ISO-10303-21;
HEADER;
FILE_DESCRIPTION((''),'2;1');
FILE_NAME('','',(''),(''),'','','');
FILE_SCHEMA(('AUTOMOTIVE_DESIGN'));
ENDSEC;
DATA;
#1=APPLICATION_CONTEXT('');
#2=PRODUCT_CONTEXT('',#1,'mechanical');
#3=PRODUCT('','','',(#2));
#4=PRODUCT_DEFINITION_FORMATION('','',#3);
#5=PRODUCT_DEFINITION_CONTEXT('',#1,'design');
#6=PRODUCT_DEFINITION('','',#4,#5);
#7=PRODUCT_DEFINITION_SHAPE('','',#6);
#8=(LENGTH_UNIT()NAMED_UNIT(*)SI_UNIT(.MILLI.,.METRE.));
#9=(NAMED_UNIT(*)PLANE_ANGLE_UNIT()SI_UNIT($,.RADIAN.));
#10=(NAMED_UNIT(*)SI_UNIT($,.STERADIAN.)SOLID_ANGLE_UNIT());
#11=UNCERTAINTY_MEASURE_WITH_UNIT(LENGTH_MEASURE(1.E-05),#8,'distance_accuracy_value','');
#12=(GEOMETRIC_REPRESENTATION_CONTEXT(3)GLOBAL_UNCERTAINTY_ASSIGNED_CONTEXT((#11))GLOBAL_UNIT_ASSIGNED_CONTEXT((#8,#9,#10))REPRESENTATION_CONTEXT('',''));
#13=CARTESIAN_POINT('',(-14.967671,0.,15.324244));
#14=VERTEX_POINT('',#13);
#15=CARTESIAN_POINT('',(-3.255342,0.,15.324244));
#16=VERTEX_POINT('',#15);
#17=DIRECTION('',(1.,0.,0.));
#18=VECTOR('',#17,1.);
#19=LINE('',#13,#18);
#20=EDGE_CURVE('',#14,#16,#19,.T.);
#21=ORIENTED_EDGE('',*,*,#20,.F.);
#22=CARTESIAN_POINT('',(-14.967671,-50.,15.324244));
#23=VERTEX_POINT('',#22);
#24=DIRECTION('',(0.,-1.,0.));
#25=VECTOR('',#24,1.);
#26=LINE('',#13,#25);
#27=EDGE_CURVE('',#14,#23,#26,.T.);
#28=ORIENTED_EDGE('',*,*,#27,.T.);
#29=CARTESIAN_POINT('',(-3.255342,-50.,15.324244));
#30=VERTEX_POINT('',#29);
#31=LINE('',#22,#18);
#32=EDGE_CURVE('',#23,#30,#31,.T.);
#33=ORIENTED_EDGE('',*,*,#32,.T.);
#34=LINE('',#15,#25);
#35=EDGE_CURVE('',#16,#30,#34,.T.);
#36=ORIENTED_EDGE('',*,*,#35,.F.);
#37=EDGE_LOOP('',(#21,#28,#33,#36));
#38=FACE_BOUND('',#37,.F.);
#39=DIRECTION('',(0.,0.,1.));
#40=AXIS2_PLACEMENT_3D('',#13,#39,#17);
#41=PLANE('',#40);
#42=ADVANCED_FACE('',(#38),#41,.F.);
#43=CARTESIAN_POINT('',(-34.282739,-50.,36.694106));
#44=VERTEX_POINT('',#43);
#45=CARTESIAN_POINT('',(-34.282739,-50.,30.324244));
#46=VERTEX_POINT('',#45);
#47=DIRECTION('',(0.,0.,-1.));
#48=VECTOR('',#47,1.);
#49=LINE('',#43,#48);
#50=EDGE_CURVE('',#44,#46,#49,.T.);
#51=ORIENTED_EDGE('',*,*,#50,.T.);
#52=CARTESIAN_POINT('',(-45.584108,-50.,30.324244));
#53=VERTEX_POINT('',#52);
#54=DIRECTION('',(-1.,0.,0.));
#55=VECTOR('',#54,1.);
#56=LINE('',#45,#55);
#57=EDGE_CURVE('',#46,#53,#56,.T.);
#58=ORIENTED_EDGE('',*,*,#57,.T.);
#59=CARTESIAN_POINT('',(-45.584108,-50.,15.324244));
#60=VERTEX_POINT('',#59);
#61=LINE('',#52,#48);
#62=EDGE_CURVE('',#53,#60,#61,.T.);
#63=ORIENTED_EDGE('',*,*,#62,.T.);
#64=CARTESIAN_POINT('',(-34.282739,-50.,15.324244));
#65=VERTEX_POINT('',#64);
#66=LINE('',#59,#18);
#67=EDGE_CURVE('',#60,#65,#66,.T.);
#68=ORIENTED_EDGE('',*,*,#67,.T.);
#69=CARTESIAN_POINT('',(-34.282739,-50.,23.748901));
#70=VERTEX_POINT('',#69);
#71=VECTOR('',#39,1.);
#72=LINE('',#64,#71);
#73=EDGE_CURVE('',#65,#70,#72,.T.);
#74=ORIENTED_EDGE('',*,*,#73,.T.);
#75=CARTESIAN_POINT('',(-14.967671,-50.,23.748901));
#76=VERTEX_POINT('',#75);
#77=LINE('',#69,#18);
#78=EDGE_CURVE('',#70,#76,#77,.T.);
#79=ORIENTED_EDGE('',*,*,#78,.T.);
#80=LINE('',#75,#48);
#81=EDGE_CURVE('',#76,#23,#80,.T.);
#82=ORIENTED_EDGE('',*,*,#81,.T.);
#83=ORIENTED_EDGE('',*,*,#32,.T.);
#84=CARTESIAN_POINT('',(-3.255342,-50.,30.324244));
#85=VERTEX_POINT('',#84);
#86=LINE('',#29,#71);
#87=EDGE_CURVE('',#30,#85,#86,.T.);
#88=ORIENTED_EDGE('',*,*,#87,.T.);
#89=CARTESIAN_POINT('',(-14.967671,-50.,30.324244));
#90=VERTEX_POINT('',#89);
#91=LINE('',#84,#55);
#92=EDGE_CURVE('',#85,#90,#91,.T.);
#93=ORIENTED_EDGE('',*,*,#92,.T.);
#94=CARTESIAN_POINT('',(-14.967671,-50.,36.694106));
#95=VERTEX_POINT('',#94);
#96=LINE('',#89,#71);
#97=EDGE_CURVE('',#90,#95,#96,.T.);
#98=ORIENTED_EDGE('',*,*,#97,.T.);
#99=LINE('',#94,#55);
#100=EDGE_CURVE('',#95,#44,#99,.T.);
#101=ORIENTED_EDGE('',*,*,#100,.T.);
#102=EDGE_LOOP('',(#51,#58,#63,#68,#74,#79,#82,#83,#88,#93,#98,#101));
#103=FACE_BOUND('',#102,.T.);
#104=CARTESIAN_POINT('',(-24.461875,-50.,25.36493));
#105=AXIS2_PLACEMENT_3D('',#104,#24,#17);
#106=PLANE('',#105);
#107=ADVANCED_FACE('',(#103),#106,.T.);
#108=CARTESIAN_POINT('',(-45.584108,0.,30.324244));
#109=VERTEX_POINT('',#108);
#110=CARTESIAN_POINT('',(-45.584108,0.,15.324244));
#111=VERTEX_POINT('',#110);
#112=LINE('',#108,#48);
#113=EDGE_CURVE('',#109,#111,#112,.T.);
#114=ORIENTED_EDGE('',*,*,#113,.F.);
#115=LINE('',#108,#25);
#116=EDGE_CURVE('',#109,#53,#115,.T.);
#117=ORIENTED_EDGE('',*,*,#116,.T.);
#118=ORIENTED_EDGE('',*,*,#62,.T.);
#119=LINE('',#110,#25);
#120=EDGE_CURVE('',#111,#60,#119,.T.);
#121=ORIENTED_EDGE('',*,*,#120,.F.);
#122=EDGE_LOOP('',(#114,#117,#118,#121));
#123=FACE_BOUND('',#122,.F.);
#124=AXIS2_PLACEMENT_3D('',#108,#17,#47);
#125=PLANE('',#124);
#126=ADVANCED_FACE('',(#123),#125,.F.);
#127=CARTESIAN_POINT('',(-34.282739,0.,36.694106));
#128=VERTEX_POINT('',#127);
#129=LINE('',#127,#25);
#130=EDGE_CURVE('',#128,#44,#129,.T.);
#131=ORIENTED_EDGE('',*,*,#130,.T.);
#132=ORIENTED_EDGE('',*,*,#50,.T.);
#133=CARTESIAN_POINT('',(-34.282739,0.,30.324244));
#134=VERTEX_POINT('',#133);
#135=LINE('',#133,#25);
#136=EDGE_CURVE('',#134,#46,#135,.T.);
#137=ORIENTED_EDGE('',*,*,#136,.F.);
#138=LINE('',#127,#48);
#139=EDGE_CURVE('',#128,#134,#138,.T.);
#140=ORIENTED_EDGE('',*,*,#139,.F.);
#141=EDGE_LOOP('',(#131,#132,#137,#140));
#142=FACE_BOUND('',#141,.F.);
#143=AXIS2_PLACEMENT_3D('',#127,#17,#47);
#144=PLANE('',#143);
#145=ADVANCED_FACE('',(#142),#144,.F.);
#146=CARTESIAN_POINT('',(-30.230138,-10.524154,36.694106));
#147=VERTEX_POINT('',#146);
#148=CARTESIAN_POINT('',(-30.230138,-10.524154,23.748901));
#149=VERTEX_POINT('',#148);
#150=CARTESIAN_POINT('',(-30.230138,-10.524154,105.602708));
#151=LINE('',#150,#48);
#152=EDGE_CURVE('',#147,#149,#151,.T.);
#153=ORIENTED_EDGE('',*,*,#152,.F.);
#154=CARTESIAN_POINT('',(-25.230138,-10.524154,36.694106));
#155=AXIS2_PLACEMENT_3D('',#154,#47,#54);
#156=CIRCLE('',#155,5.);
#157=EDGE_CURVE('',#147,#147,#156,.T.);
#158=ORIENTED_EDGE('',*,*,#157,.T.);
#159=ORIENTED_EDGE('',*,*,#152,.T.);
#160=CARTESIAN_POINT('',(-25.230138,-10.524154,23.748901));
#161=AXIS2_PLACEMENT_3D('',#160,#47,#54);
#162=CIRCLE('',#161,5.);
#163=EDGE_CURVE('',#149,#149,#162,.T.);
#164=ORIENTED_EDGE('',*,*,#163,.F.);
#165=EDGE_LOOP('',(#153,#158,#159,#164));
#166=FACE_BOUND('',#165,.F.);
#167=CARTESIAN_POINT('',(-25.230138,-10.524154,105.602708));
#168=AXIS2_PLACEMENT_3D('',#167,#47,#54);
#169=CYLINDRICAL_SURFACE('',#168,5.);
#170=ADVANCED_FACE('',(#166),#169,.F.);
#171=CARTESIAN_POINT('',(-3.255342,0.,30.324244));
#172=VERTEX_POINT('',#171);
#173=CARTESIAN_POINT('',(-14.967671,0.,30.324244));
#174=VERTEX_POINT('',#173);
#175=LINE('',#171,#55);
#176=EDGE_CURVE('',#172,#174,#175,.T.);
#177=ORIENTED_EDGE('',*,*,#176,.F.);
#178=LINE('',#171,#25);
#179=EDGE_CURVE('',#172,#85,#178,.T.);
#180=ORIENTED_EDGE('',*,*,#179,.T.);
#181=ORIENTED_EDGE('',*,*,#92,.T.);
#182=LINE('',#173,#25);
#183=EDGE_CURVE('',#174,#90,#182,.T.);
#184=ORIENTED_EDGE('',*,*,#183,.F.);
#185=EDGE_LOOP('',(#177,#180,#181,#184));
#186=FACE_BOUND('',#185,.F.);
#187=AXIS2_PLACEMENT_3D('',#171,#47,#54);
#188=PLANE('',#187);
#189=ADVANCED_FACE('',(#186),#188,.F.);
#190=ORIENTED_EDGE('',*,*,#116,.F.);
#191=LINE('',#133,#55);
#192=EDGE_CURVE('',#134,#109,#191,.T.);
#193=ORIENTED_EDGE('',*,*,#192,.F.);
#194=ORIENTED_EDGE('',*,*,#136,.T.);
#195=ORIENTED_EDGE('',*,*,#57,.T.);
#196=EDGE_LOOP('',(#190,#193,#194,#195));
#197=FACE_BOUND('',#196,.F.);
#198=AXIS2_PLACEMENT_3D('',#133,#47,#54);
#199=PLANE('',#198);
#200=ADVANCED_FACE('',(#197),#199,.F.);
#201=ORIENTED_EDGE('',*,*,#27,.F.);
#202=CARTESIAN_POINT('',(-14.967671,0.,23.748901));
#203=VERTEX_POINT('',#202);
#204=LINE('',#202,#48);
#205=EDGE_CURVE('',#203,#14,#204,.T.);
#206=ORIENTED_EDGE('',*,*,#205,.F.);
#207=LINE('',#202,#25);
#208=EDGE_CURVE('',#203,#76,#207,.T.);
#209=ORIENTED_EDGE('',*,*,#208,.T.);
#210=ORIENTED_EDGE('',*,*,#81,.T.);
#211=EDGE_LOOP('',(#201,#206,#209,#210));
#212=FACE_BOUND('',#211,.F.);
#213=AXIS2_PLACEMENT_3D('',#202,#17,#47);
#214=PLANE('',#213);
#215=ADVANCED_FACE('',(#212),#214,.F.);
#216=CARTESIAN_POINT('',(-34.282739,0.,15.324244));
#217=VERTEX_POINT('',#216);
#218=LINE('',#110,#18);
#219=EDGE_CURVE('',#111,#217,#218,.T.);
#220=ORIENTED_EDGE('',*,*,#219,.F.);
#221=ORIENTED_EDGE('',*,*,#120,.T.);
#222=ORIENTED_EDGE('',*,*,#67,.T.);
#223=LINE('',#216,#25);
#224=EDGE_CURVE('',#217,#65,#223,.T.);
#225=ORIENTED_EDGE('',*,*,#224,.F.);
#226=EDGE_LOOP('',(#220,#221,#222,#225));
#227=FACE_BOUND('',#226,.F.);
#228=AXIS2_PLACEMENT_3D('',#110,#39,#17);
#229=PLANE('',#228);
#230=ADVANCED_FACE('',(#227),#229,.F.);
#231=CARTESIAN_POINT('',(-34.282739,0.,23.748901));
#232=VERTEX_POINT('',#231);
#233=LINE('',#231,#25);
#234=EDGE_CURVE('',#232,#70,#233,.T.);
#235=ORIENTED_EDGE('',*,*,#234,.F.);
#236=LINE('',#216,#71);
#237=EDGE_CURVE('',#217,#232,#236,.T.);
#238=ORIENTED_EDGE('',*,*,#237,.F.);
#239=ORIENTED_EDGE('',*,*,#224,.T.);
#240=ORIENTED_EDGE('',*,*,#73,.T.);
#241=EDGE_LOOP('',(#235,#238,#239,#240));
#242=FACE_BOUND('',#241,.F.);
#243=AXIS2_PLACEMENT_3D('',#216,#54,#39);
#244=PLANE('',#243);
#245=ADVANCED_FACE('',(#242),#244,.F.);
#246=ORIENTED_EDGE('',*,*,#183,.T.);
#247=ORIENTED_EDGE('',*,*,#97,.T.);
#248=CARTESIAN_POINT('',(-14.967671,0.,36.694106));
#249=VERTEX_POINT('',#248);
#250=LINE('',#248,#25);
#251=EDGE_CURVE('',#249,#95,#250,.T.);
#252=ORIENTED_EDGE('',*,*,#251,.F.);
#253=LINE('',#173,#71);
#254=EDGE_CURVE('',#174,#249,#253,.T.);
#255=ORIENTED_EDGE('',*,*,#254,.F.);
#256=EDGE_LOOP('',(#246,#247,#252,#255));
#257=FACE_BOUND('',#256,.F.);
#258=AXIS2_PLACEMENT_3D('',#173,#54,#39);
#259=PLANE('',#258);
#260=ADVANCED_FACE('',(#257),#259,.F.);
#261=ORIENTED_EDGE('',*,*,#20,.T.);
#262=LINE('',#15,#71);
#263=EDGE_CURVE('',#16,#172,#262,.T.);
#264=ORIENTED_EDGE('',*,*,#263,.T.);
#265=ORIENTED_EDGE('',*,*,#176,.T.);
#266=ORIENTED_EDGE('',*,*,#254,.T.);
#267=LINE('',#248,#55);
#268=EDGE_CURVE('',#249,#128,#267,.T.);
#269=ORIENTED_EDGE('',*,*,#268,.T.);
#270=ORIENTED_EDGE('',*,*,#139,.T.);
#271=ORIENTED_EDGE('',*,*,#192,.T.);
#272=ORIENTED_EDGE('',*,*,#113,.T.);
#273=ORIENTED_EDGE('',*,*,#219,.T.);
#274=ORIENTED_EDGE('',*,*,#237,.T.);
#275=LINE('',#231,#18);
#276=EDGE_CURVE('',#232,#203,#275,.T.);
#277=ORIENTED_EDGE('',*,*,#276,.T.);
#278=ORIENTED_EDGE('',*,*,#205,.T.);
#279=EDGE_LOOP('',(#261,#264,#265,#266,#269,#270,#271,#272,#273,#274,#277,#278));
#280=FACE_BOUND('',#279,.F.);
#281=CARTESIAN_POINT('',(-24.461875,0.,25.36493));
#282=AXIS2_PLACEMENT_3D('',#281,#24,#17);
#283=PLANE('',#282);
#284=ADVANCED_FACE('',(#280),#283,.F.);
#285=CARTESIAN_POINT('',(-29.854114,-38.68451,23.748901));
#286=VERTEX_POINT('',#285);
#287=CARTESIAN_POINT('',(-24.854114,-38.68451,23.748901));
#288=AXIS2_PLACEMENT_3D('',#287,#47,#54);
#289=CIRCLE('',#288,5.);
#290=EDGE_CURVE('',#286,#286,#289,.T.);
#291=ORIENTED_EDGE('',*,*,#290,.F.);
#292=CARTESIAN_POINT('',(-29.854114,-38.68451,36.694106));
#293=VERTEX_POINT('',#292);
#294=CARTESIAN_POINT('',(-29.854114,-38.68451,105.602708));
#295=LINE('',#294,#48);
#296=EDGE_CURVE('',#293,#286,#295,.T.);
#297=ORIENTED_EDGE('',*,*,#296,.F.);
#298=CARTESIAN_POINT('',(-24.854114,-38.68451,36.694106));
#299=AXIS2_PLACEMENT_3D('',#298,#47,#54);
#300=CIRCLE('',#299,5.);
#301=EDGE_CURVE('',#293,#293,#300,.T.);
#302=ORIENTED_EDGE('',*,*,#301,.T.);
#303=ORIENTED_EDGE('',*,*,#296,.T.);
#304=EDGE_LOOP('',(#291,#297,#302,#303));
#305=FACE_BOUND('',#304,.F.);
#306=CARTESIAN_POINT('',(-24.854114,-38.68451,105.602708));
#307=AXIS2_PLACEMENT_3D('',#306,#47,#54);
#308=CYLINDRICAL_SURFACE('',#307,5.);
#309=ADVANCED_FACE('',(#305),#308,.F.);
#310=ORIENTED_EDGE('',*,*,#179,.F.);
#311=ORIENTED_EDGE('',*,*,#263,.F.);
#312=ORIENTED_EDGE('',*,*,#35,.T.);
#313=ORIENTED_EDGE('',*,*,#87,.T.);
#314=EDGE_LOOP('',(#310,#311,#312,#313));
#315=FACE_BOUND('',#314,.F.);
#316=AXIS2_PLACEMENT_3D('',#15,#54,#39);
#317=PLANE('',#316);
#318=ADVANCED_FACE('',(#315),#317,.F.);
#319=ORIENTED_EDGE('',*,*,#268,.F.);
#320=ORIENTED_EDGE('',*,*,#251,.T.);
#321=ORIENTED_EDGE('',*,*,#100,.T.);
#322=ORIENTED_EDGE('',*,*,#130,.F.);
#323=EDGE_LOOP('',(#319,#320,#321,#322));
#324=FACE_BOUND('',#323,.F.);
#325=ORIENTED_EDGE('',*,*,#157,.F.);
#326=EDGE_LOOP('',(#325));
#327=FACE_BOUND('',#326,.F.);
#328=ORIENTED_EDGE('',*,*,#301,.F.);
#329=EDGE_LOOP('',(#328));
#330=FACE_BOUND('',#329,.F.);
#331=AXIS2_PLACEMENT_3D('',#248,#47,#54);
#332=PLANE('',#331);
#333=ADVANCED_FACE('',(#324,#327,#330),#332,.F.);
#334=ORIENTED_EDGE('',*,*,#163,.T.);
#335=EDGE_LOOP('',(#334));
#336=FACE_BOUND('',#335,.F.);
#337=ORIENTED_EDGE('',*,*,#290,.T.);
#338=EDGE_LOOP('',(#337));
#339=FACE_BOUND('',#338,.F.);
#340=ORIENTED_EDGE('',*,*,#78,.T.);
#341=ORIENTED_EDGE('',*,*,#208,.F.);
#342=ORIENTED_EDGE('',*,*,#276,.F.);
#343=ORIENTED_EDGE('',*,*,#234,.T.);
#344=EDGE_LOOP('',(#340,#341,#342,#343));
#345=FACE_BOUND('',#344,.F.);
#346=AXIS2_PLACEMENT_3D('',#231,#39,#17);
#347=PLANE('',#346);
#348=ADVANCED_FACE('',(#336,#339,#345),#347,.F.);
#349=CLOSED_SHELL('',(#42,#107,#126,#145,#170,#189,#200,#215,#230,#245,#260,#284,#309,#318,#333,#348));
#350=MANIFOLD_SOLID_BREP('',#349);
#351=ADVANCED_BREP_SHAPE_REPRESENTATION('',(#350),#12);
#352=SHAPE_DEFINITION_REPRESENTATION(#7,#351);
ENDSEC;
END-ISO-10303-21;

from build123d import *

# Parameters (mm, degrees)
F1_DEPTH = 50
F3_D     = 10
F4_D     = 10


with BuildPart() as f1:
    # F0 (on Front) → F1 (new body)
    with BuildSketch(Plane.XZ):
        Polygon((-45.584108, 30.324244), (-45.584108, 15.324244), (-34.282739, 15.324244), (-34.282739, 23.748901), (-14.967671, 23.748901), (-14.967671, 15.324244), (-3.255342, 15.324244), (-3.255342, 30.324244), (-14.967671, 30.324244), (-14.967671, 36.694106), (-34.282739, 36.694106), (-34.282739, 30.324244), align=None)
    extrude(amount=F1_DEPTH)

    # F3 (through all)
    with Locations(Plane.XY.offset(36.694106)):
        with Locations((-25.230138, -10.524154)):
            Hole(F3_D / 2)

    # F4 (through all)
    with Locations(Plane.XY.offset(36.694106)):
        with Locations((-24.854114, -38.68451)):
            Hole(F4_D / 2)


solid = f1.part
